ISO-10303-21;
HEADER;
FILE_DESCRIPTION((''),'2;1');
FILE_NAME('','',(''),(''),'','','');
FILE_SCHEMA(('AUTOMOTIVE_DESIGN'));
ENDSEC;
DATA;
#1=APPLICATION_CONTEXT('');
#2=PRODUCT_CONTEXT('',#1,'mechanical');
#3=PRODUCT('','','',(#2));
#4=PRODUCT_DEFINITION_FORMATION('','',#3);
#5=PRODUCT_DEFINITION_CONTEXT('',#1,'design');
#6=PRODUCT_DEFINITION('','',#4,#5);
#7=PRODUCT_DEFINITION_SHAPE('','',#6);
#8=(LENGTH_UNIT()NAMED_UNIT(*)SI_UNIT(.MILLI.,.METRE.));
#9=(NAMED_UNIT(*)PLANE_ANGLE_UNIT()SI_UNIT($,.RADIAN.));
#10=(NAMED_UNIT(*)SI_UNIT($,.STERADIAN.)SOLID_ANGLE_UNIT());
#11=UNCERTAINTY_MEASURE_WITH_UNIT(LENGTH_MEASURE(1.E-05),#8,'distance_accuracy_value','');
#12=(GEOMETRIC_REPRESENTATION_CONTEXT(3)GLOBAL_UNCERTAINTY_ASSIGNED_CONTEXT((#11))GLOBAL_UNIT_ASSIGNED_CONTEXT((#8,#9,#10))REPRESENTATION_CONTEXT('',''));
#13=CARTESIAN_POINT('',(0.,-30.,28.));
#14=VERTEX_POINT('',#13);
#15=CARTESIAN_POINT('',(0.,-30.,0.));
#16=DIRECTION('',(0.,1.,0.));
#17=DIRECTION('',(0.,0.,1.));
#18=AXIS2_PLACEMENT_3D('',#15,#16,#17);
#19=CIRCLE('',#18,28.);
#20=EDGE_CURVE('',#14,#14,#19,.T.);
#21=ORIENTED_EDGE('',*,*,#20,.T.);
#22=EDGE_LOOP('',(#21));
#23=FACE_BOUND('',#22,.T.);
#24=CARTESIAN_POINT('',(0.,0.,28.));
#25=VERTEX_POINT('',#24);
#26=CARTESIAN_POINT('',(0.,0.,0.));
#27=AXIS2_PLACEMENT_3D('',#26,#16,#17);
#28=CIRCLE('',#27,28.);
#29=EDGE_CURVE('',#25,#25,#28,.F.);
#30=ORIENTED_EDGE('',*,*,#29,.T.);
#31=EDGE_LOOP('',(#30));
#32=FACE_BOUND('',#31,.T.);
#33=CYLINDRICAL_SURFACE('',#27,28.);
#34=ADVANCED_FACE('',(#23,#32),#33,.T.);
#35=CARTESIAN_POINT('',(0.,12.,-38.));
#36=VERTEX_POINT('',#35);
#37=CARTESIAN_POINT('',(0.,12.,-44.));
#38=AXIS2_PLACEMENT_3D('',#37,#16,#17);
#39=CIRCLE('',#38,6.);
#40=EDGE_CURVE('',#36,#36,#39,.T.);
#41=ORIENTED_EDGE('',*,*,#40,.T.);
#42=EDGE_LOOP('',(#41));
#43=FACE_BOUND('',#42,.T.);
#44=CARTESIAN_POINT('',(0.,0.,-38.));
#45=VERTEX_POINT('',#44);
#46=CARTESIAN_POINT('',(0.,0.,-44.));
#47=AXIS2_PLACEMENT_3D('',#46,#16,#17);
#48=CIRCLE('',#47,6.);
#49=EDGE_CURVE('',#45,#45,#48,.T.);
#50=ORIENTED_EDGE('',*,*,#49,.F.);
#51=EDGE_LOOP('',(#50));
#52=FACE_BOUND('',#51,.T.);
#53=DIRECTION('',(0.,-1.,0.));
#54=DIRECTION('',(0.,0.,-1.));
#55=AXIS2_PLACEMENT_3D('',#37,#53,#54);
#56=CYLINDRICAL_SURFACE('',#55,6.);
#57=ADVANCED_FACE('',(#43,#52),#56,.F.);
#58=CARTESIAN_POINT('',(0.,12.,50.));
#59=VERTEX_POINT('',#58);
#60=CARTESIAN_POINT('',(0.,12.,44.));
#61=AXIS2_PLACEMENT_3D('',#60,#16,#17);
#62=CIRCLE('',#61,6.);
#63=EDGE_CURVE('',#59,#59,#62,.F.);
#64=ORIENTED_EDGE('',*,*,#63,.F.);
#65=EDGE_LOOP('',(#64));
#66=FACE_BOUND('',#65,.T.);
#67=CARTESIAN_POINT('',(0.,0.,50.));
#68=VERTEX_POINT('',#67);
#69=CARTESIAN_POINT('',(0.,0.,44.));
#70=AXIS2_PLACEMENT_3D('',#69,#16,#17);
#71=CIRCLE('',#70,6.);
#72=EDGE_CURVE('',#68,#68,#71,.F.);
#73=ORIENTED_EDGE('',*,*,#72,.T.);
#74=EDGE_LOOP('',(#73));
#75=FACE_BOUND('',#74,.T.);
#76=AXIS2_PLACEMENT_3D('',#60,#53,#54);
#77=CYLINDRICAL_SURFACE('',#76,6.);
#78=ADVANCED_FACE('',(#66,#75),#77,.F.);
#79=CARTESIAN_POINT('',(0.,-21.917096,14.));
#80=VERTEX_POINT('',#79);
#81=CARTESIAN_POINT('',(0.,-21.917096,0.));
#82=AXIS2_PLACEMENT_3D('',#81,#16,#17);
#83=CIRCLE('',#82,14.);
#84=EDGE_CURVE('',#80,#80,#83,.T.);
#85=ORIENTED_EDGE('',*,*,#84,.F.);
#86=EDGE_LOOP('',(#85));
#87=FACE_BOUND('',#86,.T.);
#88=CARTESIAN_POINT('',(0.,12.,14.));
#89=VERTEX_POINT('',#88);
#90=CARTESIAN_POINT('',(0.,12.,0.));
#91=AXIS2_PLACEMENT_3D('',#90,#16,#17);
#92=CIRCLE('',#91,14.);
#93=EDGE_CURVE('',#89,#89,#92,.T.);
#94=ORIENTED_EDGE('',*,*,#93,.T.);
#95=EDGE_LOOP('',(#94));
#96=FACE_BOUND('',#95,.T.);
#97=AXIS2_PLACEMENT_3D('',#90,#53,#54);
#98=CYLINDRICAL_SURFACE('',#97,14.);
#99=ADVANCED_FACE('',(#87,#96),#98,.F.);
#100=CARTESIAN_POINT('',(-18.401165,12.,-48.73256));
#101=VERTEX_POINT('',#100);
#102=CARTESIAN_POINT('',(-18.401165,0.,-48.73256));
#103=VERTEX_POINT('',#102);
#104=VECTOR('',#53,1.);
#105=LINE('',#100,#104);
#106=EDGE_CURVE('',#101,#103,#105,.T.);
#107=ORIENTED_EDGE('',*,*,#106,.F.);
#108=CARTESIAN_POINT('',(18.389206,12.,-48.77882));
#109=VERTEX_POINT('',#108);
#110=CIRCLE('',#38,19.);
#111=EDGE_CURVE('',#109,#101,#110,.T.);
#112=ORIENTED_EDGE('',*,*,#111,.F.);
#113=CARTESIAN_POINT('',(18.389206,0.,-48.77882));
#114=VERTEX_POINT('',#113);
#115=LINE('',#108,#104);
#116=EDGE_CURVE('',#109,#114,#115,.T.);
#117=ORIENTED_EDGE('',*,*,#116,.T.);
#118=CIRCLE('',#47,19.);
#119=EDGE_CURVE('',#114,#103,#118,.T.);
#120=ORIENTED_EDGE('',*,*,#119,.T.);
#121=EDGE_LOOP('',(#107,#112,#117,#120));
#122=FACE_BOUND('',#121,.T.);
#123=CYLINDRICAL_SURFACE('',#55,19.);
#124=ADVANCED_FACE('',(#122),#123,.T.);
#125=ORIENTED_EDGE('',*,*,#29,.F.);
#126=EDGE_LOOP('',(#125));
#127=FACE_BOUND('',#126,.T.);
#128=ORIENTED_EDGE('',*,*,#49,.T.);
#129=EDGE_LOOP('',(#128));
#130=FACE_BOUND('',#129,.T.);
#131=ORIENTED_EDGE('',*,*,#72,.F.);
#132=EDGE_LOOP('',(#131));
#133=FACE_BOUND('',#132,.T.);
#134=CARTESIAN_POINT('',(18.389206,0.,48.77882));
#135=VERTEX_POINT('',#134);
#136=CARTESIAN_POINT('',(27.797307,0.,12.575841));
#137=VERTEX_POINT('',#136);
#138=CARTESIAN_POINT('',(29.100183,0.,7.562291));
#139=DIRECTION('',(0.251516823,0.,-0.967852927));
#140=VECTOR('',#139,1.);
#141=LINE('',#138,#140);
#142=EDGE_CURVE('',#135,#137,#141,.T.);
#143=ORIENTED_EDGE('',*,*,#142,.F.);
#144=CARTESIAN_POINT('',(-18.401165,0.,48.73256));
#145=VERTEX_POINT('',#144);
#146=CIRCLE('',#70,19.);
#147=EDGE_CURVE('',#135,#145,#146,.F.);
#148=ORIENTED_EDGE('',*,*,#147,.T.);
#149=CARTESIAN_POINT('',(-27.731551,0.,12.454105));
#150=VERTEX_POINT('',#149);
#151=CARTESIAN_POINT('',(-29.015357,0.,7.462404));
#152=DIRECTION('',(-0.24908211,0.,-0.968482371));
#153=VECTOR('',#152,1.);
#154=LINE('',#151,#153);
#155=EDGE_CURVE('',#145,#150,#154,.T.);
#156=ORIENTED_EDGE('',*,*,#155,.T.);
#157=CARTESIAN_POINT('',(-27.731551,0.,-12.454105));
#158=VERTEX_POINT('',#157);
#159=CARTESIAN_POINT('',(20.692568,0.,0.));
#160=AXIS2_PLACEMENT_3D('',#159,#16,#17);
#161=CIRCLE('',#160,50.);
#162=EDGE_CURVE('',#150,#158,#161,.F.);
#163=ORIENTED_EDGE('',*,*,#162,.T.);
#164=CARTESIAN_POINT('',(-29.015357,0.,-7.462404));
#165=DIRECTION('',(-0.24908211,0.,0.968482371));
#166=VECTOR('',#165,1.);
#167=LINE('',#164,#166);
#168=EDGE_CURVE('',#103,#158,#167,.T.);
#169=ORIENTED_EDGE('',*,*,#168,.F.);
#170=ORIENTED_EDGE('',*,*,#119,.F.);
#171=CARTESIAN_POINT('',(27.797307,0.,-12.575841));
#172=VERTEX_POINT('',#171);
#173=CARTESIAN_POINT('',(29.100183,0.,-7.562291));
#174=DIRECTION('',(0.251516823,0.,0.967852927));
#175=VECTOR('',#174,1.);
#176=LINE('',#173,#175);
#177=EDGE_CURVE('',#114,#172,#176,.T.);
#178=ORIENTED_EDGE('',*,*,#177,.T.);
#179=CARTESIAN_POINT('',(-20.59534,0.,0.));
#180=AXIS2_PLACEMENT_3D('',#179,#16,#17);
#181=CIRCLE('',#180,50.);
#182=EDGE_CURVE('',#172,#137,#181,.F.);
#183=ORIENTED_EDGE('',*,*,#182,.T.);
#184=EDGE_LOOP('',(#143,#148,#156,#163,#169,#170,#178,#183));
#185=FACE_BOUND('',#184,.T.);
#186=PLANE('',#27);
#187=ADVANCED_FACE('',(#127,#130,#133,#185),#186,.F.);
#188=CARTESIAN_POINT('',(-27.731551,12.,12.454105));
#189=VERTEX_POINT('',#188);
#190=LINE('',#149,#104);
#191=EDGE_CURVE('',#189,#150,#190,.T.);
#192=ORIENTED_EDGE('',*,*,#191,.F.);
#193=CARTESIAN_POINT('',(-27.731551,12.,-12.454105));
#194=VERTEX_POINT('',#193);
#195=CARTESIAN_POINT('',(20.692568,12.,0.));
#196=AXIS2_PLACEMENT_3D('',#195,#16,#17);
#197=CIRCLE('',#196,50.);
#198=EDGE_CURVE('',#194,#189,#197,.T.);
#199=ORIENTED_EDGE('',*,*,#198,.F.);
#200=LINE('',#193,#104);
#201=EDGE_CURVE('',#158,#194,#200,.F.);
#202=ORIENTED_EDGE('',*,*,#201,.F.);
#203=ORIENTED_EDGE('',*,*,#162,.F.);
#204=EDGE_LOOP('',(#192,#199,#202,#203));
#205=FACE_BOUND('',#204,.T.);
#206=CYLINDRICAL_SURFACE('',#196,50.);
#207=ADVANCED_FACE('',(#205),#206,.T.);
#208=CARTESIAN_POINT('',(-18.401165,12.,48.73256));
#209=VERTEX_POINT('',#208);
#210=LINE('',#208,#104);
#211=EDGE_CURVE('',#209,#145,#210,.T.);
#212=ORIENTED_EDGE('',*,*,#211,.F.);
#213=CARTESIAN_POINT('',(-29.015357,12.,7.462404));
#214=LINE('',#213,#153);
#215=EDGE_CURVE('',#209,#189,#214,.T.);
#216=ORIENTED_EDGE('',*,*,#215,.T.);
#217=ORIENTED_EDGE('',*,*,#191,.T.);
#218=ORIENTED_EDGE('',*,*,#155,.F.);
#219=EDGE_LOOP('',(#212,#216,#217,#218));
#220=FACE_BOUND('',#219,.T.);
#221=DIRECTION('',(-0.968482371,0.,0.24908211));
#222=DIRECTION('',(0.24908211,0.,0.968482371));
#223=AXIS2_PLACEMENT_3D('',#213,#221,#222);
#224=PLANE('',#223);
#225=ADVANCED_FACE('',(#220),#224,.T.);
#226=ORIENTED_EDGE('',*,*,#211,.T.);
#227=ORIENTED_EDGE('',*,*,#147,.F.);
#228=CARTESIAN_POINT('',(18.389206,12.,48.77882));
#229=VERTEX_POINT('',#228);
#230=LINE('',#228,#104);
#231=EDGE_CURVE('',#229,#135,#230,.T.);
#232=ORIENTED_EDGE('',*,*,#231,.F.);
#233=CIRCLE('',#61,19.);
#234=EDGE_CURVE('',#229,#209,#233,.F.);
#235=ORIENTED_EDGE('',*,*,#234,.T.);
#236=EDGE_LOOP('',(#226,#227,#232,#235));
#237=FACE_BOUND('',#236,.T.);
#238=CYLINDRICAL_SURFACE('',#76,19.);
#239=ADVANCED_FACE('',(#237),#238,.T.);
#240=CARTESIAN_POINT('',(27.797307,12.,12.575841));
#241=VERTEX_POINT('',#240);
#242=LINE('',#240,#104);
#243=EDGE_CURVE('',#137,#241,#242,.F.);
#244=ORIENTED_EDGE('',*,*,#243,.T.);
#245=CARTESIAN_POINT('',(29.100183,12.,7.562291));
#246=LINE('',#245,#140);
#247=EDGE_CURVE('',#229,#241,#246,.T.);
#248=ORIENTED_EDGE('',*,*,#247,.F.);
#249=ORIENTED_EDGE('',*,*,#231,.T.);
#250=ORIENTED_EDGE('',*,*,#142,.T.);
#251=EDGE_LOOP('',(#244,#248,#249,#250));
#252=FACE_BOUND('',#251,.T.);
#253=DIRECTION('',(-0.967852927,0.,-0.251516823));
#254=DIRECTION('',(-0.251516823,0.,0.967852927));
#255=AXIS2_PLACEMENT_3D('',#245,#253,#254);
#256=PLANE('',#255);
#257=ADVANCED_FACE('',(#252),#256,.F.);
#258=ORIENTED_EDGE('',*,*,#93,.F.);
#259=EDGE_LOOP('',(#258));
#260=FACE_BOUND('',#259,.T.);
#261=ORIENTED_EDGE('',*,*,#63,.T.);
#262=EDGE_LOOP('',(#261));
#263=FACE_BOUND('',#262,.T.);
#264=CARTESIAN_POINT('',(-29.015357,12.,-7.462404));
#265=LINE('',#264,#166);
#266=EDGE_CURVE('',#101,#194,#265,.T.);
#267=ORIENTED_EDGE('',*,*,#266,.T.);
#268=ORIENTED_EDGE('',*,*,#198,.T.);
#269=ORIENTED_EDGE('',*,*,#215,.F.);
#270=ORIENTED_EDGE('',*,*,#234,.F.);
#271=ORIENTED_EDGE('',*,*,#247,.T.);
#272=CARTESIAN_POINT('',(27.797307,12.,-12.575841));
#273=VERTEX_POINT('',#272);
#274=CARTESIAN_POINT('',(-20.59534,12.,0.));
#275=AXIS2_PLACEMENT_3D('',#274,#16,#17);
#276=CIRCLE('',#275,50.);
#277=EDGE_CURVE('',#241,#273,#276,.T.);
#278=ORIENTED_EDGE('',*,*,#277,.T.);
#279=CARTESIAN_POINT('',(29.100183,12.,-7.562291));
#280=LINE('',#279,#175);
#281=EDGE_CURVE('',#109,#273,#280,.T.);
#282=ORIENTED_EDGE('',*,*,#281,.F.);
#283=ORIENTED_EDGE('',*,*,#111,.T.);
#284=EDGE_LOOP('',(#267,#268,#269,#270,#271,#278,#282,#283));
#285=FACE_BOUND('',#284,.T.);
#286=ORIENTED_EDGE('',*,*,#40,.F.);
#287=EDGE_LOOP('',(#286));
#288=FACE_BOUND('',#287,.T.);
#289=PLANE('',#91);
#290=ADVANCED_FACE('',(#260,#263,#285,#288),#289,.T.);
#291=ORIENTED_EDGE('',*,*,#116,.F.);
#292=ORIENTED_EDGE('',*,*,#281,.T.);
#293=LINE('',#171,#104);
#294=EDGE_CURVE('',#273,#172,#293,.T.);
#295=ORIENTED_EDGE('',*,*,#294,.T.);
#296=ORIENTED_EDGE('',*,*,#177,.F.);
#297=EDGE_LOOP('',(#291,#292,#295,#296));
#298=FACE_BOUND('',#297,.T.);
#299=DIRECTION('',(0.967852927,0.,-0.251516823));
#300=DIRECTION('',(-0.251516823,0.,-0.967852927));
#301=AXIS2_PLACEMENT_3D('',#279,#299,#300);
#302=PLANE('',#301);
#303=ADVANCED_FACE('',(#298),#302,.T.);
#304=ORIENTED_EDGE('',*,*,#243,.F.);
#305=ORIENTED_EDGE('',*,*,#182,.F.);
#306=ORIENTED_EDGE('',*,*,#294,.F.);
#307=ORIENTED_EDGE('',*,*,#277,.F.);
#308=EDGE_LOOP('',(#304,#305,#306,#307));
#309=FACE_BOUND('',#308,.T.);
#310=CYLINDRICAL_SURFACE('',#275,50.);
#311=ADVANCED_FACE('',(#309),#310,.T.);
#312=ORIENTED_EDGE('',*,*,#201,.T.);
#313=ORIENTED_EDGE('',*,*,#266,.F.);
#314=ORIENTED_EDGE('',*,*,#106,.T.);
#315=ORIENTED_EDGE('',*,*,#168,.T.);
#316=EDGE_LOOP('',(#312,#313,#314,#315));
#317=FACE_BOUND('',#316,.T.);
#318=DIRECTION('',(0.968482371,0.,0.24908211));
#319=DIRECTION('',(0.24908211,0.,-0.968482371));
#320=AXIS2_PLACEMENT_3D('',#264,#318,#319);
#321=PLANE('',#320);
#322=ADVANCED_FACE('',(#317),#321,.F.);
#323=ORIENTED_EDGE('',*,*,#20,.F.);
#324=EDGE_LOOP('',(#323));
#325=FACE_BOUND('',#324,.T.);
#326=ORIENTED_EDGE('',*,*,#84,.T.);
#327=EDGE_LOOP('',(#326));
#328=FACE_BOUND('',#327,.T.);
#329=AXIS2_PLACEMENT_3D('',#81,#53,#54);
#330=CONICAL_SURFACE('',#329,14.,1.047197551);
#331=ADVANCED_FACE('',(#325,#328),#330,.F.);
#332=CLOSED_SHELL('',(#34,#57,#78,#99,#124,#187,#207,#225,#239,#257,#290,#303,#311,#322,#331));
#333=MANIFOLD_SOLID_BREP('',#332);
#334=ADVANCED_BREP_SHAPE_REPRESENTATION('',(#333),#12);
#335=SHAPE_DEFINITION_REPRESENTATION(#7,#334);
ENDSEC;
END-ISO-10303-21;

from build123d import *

# Parameters (mm, degrees)
SKETCH1_R           = 14
SKETCH1_R_2         = 19
SKETCH1_R_3         = 6
BOSS_EXTRUDE1_DEPTH = 12
FILLET1_R           = 50


with BuildPart() as part:
    # Sketch1 → Boss-Extrude1 (new body)
    with BuildSketch(Plane(origin=(0, 0, 0), x_dir=(1, 0, 0), z_dir=(0, 1, 0))):
        with BuildLine():
            Line((31.065401992, 0), (18.389205605, 48.778819646))
            ThreePointArc((18.389205605, 48.778819646), (18.846682818, 46.408847598), (19, 44))
            ThreePointArc((19, 44), (-2.385148225, 25.15030324), (-18.401165047, 48.732560082))
            Line((-18.401165047, 48.732560082), (-30.934598008, 0))
            Line((-30.934598008, 0), (-18.401165047, -48.732560082))
            ThreePointArc((-18.401165047, -48.732560082), (-2.385148225, -25.15030324), (19, -44))
            ThreePointArc((19, -44), (18.846682818, -46.408847598), (18.389205605, -48.778819646))
            Line((18.389205605, -48.778819646), (31.065401992, 0))
        make_face()
        Circle(SKETCH1_R, mode=Mode.SUBTRACT)
        with Locations((0, -44)):
            Circle(SKETCH1_R_2)
        with Locations((0, -44)):
            Circle(SKETCH1_R_3, mode=Mode.SUBTRACT)
        with Locations((0, 44)):
            Circle(SKETCH1_R_2)
        with Locations((0, 44)):
            Circle(SKETCH1_R_3, mode=Mode.SUBTRACT)
    extrude(amount=BOSS_EXTRUDE1_DEPTH)

    # Fillet1
    fillet1_edges = [part.edges().sort_by_distance(p)[0] for p in [
        (-30.934598008, 6, 0),
        (31.065401992, 6, 0),
    ]]
    fillet(fillet1_edges, radius=FILLET1_R)

    # Sketch3 → Revolve1 (revolve)
    with BuildSketch(Plane.XY):
        Polygon((14, 0), (28, 0), (28, -30), (14, -21.917096231), align=None)
    revolve(axis=Axis((0, 0, 0), (0, -1, 0)))


solid = part.part
